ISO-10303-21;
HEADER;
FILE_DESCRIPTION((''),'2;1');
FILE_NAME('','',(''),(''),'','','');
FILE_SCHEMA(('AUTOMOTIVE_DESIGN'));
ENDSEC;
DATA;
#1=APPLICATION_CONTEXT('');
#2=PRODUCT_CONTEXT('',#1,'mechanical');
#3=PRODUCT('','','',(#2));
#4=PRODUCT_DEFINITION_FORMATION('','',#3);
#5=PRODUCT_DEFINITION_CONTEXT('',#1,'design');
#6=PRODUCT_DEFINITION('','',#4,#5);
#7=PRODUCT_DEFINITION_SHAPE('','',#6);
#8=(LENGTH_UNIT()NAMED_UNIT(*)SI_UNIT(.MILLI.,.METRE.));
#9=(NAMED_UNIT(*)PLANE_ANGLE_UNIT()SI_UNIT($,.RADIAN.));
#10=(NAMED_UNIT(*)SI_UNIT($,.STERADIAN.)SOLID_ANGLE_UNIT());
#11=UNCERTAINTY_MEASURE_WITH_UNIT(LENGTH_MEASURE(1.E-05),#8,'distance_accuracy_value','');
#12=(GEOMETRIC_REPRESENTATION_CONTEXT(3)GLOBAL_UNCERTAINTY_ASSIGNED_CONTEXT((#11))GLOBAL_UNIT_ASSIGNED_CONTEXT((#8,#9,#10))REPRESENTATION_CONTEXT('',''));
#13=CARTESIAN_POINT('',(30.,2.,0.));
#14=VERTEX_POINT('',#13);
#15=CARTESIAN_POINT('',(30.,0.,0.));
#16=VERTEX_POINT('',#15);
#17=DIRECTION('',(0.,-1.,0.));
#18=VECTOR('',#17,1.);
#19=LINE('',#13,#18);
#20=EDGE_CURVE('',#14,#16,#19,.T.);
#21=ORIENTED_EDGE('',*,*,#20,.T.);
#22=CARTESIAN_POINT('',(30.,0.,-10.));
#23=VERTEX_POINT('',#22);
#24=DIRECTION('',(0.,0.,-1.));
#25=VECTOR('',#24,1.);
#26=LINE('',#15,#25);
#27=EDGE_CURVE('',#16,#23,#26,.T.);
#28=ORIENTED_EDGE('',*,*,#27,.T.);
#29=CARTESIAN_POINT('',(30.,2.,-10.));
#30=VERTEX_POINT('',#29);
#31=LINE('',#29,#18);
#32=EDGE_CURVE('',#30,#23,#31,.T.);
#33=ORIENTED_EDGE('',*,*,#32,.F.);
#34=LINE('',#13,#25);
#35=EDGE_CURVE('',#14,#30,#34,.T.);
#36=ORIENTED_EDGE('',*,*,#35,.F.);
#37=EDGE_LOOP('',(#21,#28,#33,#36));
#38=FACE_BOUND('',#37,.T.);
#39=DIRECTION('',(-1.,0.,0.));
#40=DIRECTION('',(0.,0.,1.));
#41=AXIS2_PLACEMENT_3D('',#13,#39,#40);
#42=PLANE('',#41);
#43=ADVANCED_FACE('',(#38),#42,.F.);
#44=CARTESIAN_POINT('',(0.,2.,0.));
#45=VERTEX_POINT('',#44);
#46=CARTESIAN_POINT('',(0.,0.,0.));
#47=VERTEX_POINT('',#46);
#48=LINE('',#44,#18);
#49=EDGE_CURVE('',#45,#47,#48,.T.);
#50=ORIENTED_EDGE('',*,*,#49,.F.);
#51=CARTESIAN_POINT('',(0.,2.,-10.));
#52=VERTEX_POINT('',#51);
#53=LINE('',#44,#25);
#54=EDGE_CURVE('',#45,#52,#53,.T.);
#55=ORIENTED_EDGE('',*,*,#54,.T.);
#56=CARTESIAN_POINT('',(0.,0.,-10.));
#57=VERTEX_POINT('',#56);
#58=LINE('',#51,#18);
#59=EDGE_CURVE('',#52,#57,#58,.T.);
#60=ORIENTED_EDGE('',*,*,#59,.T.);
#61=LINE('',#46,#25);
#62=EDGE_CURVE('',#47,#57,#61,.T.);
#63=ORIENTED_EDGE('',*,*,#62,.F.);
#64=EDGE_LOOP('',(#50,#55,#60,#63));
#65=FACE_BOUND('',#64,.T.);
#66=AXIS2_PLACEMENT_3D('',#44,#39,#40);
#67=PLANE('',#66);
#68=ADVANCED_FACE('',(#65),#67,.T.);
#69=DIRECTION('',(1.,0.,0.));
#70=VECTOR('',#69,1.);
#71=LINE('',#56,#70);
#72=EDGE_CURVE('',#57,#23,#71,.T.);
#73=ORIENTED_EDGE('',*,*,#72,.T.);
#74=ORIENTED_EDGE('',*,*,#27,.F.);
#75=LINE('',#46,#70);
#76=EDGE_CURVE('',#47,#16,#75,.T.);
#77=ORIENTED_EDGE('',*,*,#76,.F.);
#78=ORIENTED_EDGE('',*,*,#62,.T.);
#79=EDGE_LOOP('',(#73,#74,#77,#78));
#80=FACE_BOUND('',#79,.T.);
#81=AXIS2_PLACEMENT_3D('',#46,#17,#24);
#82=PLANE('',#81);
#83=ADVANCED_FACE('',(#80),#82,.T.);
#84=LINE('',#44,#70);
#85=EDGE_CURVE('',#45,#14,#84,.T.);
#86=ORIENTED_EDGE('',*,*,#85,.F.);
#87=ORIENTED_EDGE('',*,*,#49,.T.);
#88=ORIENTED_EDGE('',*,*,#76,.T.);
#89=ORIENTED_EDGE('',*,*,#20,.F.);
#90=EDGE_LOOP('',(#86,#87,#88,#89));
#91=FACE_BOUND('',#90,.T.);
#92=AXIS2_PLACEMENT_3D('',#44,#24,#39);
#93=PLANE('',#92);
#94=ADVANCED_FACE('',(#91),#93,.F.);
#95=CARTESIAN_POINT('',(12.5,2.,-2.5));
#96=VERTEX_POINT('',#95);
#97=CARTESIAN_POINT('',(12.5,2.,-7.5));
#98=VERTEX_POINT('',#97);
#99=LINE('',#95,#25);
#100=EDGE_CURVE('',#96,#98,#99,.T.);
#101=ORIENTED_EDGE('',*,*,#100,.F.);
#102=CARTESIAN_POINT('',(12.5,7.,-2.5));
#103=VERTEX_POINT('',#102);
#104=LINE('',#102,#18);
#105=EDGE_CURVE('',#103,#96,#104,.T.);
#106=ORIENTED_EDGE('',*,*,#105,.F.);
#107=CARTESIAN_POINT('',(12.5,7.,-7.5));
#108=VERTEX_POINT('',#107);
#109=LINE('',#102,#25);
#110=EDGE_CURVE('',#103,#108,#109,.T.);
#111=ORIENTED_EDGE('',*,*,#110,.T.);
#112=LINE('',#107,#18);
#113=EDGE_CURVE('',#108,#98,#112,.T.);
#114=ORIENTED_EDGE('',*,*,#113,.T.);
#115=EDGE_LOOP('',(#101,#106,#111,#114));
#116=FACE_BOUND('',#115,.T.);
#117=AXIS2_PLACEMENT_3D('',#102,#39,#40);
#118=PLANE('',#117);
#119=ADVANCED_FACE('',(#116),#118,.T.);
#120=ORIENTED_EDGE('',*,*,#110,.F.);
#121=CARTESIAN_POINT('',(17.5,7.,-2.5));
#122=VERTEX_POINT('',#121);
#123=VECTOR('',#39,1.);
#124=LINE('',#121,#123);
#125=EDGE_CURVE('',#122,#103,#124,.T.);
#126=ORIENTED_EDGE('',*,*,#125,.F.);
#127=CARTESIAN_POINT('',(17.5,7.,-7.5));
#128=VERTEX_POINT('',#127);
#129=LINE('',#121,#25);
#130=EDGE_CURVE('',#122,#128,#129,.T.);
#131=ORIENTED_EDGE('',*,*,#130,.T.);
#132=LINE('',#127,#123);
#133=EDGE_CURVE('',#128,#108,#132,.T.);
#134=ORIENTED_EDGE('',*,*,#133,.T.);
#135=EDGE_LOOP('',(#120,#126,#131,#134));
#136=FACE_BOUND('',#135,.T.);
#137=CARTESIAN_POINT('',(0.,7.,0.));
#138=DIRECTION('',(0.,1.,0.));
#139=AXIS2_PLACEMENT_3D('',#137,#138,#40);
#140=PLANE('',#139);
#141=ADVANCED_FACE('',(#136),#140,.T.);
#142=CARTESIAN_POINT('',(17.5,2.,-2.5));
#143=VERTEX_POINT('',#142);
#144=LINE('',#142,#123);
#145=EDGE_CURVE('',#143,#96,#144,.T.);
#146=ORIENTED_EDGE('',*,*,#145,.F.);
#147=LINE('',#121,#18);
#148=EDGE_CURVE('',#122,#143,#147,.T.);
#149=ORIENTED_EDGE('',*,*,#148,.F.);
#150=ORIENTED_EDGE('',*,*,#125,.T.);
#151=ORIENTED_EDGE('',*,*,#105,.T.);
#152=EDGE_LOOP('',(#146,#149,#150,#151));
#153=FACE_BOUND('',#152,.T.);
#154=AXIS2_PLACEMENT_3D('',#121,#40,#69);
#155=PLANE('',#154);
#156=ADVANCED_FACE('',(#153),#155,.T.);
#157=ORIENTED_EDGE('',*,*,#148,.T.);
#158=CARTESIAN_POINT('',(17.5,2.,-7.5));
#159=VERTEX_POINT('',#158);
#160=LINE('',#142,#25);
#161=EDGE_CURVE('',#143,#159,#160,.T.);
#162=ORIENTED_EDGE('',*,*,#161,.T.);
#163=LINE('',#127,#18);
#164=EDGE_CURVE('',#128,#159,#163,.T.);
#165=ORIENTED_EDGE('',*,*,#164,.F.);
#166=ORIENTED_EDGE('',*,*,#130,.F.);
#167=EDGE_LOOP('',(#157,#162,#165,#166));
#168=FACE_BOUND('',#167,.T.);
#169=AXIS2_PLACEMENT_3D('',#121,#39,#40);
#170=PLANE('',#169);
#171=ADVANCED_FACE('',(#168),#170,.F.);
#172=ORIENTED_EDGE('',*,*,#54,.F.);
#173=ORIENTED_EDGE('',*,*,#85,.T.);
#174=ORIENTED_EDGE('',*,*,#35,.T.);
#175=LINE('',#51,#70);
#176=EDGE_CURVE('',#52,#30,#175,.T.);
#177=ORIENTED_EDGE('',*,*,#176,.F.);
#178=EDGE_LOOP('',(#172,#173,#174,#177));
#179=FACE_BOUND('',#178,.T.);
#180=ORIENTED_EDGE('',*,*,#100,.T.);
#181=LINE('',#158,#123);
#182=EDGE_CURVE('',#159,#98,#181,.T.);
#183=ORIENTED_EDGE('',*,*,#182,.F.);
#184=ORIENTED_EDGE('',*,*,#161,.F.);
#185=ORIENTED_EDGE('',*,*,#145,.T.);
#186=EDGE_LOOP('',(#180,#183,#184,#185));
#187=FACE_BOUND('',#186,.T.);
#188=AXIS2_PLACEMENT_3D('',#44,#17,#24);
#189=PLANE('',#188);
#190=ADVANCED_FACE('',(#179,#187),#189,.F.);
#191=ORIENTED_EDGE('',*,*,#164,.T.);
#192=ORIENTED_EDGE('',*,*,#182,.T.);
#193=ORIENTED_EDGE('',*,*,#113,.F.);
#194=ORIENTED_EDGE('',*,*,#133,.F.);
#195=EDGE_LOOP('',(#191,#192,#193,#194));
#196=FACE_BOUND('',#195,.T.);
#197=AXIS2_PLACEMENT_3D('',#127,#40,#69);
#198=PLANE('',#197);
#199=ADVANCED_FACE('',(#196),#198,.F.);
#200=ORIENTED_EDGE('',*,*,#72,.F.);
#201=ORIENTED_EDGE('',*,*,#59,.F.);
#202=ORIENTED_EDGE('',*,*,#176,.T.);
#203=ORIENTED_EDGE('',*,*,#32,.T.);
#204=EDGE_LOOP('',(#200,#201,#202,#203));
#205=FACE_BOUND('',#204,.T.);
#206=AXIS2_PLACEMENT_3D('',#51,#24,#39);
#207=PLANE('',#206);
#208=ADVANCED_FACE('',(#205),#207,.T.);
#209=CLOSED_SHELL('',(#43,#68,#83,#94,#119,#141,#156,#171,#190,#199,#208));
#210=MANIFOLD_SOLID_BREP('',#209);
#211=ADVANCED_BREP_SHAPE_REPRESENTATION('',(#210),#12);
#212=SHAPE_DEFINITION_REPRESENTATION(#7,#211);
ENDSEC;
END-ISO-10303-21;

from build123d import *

# Parameters (mm, degrees)
SKETCH1_W           = 30
SKETCH1_H           = 10
BOSS_EXTRUDE1_DEPTH = 2
SKETCH2_W           = 5
SKETCH2_H           = 5
BOSS_EXTRUDE2_DEPTH = 5


with BuildPart() as part:
    # Sketch1 → Boss-Extrude1 (new body)
    with BuildSketch(Plane(origin=(0, 0, 0), x_dir=(1, 0, 0), z_dir=(0, 1, 0))):
        with Locations((15, 5)):
            Rectangle(SKETCH1_W, SKETCH1_H)
    extrude(amount=BOSS_EXTRUDE1_DEPTH)

    # Sketch2 → Boss-Extrude2 (add)
    with BuildSketch(Plane(origin=(0, 2, 0), x_dir=(1, 0, 0), z_dir=(0, 1, 0))):
        with Locations((15, 5)):
            Rectangle(SKETCH2_W, SKETCH2_H)
    extrude(amount=BOSS_EXTRUDE2_DEPTH)


solid = part.part
